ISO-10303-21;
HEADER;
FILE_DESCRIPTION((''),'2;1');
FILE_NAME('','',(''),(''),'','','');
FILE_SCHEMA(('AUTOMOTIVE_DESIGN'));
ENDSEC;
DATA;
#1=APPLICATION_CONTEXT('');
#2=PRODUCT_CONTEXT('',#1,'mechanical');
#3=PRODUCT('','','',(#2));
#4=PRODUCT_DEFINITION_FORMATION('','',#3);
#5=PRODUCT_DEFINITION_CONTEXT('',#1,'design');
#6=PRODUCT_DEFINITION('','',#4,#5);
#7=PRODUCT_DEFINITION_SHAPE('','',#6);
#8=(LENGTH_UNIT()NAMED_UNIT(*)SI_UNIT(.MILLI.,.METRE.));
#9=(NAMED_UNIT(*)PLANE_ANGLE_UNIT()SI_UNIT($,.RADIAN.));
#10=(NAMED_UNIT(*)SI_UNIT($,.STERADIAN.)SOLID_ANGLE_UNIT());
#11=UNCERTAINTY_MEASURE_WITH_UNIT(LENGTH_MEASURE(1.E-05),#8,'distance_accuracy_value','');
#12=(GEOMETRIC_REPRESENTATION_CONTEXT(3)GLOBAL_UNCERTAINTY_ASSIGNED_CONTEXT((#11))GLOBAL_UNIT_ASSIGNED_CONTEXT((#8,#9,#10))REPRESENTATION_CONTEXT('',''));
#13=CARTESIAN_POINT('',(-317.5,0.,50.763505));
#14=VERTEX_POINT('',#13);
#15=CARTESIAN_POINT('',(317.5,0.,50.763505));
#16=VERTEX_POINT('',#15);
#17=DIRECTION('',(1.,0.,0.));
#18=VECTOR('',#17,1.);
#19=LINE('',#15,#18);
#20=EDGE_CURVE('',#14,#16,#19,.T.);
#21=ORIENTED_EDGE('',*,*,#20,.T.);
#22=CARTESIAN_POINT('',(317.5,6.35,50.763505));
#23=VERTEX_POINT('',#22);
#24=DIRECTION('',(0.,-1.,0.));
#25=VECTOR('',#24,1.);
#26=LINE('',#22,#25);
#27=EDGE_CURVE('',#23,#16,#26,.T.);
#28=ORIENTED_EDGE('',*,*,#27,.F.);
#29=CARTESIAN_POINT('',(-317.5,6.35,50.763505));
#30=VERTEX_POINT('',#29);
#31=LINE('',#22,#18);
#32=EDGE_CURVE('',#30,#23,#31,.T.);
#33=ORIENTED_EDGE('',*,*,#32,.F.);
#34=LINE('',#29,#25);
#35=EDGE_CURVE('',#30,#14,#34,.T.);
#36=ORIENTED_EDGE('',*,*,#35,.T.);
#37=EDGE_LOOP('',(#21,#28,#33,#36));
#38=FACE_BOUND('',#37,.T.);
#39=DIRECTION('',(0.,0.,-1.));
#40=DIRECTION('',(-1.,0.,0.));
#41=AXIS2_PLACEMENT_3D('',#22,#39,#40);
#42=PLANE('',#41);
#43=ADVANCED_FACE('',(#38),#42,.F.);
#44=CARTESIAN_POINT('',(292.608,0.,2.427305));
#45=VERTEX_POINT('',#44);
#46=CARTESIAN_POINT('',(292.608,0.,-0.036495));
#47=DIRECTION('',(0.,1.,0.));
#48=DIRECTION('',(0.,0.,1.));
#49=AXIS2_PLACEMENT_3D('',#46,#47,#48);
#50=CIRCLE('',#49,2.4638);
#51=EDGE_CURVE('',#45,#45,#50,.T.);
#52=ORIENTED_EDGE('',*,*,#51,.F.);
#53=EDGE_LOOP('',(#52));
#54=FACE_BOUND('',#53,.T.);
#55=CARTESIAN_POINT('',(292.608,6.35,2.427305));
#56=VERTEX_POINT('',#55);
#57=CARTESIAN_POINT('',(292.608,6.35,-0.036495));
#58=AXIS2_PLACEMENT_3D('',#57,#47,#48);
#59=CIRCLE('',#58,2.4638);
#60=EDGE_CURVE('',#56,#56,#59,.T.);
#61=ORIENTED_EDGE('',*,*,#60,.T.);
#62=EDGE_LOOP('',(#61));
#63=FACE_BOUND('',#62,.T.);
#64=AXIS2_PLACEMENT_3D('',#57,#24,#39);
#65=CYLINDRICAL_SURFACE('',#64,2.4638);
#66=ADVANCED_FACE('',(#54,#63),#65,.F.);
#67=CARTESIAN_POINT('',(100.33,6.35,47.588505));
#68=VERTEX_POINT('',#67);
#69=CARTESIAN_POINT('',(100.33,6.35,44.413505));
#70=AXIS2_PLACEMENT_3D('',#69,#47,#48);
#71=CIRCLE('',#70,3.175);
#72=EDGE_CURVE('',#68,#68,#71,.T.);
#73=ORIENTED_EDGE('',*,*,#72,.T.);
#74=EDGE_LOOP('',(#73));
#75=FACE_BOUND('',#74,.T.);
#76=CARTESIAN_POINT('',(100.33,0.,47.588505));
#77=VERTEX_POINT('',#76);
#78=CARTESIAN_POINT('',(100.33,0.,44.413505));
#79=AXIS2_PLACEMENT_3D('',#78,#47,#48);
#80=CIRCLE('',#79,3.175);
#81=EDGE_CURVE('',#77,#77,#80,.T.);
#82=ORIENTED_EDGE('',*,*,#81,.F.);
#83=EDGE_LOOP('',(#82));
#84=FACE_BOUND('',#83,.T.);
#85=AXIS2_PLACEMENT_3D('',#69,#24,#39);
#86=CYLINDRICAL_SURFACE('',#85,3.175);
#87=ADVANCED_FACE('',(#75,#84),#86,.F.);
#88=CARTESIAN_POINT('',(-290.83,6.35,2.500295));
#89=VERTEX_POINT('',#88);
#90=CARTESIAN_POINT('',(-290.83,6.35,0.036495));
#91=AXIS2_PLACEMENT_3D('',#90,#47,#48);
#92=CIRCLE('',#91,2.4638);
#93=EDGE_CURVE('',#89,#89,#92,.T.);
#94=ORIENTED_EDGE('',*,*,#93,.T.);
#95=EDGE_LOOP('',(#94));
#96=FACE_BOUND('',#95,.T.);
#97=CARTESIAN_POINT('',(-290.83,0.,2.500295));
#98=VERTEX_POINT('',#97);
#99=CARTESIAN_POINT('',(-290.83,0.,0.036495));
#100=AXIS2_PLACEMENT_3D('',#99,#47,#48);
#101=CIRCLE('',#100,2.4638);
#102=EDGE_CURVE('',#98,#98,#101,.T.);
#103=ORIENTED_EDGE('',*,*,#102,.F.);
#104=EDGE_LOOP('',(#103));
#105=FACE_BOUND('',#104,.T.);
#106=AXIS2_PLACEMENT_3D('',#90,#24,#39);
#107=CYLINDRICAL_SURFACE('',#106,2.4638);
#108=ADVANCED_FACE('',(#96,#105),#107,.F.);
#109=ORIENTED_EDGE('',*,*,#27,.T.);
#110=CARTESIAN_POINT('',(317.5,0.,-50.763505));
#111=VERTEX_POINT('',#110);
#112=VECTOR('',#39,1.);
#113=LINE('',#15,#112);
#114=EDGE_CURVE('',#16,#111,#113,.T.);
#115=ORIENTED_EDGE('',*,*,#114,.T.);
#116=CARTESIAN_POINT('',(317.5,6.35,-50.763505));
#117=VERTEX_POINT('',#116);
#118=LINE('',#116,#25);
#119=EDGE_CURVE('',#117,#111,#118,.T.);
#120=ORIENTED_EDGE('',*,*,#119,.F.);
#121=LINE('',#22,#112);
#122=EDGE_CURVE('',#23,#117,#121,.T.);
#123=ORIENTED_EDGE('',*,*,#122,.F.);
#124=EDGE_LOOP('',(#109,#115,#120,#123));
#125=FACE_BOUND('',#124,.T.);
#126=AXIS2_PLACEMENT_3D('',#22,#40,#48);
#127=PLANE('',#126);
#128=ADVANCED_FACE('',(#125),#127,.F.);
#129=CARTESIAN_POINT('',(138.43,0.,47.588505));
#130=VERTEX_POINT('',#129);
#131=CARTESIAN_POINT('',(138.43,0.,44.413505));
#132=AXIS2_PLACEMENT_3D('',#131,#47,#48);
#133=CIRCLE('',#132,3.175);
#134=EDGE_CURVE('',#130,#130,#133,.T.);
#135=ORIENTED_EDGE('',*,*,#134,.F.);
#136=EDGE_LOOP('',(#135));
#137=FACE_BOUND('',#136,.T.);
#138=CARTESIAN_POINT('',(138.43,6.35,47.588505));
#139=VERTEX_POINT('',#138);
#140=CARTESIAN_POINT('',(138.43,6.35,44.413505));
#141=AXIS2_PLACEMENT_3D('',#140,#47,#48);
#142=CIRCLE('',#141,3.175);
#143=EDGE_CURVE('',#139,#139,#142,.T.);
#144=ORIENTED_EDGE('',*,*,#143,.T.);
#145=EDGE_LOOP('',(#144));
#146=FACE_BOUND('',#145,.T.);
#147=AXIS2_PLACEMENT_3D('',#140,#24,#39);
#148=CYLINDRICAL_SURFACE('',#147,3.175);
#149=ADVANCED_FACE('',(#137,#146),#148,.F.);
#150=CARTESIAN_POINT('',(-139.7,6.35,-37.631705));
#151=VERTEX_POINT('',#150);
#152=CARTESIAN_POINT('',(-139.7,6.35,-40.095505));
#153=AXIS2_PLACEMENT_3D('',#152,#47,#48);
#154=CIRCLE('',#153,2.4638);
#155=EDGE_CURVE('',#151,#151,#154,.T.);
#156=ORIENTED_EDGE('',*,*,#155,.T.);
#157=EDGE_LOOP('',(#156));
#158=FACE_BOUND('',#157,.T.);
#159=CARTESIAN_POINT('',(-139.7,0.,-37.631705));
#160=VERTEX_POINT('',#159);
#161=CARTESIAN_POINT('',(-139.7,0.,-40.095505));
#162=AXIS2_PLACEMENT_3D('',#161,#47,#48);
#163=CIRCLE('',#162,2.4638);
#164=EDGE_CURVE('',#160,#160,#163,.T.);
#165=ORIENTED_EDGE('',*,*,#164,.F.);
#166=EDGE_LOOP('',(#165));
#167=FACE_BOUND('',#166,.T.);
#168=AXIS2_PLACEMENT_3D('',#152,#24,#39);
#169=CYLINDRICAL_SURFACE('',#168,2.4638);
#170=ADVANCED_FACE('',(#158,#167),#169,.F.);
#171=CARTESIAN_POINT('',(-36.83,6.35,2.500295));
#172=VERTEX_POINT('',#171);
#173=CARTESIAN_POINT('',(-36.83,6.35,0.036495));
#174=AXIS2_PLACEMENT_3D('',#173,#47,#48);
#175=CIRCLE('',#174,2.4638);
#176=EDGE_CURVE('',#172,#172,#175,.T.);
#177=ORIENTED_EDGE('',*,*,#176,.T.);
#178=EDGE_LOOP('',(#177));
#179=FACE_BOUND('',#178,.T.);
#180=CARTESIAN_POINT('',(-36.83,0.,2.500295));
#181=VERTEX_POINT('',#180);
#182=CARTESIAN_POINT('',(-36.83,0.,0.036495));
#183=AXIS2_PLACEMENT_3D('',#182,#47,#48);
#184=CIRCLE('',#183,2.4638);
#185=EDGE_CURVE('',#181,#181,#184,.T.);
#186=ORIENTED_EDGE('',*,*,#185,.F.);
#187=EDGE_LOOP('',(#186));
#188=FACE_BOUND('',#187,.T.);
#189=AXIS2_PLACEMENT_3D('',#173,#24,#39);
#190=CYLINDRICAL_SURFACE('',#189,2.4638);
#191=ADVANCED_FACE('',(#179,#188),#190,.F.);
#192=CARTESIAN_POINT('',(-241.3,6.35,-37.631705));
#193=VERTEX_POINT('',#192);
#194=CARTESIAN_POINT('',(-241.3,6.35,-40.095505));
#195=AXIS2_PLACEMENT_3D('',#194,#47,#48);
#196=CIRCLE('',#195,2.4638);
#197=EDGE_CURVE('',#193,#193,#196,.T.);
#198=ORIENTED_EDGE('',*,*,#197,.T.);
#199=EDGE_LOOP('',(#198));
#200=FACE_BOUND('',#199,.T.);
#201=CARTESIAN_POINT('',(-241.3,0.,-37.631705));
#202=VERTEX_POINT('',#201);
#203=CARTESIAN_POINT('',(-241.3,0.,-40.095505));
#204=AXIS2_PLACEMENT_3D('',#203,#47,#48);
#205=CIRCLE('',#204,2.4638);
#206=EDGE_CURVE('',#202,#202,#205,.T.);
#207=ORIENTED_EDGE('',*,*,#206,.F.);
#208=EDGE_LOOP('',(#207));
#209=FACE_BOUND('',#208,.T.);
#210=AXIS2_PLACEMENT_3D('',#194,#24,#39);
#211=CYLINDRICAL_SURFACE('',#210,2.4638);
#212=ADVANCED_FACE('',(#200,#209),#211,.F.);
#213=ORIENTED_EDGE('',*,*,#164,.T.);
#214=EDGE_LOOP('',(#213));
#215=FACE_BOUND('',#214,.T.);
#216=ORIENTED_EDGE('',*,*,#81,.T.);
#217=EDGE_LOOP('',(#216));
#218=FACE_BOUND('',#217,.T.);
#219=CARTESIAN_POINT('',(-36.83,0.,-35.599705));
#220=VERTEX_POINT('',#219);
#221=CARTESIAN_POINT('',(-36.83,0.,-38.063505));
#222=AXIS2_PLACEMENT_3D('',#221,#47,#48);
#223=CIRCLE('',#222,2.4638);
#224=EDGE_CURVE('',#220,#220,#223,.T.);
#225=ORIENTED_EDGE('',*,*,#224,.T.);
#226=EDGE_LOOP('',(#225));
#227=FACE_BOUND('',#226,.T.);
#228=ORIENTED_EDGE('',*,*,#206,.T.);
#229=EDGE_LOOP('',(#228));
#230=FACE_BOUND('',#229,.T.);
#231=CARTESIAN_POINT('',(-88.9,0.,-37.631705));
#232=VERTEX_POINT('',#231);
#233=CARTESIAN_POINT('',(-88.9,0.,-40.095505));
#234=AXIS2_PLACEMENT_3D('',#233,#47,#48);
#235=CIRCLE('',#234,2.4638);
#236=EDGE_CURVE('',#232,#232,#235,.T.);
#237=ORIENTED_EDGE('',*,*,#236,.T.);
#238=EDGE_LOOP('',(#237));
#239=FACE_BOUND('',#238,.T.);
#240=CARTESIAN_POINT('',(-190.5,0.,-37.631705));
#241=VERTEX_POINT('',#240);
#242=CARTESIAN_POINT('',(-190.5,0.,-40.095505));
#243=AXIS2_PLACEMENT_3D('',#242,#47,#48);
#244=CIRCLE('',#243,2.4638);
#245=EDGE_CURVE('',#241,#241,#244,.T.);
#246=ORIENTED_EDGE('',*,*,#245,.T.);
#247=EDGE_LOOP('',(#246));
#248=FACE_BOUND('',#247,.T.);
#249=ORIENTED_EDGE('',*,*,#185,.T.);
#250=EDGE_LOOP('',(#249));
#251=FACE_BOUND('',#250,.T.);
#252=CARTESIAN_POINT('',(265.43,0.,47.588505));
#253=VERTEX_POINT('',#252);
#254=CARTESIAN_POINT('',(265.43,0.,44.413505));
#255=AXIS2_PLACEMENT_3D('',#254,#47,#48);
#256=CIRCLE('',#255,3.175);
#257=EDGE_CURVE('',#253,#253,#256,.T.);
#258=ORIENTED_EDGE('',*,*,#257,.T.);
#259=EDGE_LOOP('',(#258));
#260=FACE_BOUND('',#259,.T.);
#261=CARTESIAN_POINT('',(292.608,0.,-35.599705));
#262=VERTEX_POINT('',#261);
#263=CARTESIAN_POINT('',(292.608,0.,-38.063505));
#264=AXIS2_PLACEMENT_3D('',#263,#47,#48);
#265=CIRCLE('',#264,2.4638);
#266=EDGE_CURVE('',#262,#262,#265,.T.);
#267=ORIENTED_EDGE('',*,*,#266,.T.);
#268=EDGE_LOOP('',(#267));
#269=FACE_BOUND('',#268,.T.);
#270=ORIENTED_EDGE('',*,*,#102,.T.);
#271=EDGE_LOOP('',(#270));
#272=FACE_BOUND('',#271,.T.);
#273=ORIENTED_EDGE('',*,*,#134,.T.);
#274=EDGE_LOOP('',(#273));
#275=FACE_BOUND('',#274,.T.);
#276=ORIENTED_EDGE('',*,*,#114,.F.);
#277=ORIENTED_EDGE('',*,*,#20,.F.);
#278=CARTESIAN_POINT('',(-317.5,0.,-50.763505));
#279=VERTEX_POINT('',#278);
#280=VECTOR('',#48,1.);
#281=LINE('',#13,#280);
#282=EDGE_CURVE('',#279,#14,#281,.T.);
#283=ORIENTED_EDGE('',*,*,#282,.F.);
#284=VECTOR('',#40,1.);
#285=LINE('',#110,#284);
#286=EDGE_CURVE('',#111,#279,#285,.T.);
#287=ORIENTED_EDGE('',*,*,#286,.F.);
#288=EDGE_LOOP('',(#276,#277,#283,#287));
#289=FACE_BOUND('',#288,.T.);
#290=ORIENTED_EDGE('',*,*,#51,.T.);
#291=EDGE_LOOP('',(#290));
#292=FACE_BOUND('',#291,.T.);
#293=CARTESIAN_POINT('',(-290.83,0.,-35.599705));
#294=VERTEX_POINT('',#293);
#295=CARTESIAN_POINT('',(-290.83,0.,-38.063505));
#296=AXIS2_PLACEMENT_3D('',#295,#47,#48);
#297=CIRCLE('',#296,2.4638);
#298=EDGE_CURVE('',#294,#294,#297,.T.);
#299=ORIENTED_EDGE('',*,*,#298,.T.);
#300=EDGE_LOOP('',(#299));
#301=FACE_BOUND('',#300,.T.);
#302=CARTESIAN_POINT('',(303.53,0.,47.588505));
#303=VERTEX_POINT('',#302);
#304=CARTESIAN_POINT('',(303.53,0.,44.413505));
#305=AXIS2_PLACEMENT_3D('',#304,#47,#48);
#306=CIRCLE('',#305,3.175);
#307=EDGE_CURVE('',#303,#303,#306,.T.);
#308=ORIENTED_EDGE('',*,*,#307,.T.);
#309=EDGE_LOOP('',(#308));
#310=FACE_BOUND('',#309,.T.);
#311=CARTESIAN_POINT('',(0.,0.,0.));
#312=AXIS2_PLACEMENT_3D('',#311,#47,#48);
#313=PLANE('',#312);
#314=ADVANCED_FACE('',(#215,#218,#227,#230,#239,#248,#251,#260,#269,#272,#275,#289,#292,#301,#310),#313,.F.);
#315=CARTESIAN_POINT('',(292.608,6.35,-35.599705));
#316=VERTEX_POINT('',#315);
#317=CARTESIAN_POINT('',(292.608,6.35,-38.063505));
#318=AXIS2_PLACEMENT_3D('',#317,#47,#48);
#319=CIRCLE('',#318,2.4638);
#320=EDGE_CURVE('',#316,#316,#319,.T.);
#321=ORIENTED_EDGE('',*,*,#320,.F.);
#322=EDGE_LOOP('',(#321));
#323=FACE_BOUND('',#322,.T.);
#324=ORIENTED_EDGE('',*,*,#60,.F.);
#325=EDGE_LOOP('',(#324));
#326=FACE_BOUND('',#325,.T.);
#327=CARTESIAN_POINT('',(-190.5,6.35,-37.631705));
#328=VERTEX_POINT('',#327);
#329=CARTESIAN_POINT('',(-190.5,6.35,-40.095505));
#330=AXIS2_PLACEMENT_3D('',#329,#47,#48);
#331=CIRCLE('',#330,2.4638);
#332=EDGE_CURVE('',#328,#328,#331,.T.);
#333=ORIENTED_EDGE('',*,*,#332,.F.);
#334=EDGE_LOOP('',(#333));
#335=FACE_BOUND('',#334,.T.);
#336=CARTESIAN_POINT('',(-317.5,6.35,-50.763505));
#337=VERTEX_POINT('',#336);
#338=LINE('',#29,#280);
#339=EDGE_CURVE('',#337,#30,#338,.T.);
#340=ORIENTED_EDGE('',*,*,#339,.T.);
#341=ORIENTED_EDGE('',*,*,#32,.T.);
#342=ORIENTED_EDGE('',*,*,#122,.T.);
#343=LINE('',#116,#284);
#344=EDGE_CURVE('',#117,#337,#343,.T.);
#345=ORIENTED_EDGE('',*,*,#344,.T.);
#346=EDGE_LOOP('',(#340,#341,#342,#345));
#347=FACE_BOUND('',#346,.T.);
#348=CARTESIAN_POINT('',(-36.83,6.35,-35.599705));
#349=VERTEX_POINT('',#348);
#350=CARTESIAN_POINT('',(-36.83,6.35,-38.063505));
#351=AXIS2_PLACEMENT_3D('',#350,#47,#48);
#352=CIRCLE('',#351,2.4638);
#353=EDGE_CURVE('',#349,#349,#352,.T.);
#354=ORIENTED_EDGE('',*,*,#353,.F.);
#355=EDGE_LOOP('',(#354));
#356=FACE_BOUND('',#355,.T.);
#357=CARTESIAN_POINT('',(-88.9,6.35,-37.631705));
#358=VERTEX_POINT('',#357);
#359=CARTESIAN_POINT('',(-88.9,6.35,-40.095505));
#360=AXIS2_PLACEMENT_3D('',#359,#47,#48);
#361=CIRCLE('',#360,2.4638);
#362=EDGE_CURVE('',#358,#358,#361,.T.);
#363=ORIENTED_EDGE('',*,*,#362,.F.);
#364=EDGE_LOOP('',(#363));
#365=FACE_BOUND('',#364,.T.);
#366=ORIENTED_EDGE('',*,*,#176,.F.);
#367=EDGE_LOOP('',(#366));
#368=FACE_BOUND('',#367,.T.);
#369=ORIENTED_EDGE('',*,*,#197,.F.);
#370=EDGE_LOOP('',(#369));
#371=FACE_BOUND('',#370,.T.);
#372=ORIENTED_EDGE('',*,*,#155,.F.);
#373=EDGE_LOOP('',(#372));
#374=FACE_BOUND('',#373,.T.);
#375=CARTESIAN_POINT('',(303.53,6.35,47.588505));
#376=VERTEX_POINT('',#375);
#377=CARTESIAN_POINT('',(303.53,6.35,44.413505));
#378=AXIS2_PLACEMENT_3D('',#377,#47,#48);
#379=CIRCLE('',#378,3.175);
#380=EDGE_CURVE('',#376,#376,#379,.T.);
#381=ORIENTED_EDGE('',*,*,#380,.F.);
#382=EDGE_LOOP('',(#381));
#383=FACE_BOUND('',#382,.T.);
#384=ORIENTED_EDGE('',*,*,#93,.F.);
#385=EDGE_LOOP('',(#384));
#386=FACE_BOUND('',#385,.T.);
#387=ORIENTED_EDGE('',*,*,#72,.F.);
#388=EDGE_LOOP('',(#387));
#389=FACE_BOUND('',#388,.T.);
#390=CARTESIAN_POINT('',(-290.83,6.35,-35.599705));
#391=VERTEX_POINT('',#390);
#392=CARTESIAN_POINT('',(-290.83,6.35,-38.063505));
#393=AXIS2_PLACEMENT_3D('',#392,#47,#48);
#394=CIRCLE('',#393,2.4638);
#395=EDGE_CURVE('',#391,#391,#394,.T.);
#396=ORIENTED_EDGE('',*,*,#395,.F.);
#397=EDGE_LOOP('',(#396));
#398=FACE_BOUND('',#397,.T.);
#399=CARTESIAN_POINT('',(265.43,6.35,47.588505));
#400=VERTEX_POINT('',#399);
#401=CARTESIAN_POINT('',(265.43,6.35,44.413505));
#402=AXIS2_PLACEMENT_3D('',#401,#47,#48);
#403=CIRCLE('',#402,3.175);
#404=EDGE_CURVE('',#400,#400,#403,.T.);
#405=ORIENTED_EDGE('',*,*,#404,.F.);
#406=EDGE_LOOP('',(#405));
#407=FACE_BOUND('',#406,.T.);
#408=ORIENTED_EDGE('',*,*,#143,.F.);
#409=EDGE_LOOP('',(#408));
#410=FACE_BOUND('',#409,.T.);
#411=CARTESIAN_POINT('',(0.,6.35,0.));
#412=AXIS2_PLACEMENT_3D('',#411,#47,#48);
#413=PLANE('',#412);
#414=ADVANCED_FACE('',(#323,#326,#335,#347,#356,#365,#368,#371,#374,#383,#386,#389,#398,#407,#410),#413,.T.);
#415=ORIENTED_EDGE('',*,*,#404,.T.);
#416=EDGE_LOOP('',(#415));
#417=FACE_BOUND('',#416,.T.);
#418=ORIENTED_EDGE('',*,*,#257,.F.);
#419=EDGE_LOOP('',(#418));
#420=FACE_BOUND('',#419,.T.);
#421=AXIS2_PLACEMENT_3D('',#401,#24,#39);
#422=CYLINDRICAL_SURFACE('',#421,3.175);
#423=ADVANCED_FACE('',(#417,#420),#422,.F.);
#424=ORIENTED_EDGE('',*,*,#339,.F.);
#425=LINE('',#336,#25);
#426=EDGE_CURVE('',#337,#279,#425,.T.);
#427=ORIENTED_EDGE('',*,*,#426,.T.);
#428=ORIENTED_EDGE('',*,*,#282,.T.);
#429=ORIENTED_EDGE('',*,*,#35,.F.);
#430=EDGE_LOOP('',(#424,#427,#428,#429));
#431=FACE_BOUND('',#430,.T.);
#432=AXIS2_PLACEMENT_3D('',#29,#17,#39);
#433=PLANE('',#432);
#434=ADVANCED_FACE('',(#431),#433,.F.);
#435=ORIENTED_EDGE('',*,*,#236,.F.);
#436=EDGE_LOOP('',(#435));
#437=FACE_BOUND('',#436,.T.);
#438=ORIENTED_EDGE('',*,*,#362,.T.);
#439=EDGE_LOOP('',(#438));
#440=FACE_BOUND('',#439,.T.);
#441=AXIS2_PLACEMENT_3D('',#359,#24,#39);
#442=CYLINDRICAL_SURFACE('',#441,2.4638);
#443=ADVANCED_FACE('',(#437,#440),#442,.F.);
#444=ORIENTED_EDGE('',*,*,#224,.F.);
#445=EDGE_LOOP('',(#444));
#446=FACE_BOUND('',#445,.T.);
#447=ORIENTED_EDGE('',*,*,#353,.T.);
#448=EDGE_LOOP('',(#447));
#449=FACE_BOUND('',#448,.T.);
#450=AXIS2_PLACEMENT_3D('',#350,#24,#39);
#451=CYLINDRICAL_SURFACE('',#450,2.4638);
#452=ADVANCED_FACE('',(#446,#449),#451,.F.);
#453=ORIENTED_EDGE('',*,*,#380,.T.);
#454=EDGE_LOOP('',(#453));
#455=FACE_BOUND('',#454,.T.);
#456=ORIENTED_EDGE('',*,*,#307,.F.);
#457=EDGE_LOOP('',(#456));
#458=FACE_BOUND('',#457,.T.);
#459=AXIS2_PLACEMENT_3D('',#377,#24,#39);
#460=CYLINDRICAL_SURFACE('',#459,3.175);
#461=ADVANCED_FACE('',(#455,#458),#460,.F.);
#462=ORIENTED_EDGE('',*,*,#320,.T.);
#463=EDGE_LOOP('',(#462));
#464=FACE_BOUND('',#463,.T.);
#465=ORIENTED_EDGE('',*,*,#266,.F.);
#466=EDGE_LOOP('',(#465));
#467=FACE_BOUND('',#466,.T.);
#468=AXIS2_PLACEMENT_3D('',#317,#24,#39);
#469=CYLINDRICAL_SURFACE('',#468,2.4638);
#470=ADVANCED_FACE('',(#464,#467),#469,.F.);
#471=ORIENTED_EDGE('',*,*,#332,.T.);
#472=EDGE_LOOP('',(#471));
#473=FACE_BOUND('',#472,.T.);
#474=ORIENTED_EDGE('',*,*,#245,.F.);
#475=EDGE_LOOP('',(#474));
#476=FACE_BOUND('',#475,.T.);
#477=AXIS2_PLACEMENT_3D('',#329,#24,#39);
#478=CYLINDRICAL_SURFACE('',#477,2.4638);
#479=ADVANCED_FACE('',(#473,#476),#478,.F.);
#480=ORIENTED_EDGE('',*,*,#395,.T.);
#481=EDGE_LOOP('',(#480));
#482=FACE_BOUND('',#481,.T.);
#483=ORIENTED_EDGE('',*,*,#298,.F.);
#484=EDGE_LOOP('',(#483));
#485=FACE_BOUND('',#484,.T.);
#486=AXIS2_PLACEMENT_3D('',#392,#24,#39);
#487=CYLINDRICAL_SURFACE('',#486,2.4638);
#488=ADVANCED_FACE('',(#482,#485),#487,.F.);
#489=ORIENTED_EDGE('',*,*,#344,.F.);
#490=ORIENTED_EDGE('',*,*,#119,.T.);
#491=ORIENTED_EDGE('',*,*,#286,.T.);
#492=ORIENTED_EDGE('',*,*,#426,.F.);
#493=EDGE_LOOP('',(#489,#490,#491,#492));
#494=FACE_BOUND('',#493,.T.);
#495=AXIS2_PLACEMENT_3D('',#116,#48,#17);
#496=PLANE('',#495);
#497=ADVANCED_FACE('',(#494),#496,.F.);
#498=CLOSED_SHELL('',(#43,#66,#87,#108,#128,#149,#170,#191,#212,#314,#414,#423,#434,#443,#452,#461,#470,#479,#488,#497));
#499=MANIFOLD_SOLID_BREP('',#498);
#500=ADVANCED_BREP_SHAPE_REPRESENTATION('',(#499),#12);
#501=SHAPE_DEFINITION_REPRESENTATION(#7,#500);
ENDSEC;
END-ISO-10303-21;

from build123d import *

# Parameters (mm, degrees)
SKETCH1_W           = 635
SKETCH1_H           = 101.527009672
SKETCH1_R           = 2.4638
SKETCH1_R_2         = 3.175
BOSS_EXTRUDE1_DEPTH = 6.35


with BuildPart() as part:
    # Sketch1 → Boss-Extrude1 (new body)
    with BuildSketch(Plane(origin=(0, 0, 0), x_dir=(1, 0, 0), z_dir=(0, 1, 0))):
        Rectangle(SKETCH1_W, SKETCH1_H)
        with Locations((-290.83, 38.063504836)):
            Circle(SKETCH1_R, mode=Mode.SUBTRACT)
        with Locations((-290.83, -0.036495164)):
            Circle(SKETCH1_R, mode=Mode.SUBTRACT)
        with Locations((292.608, 0.036495164)):
            Circle(SKETCH1_R, mode=Mode.SUBTRACT)
        with Locations((292.608, 38.063504836)):
            Circle(SKETCH1_R, mode=Mode.SUBTRACT)
        with Locations((-241.3, 40.095504834)):
            Circle(SKETCH1_R, mode=Mode.SUBTRACT)
        with Locations((-36.829999998, 38.063504838)):
            Circle(SKETCH1_R, mode=Mode.SUBTRACT)
        with Locations((-36.829999998, -0.036495162)):
            Circle(SKETCH1_R, mode=Mode.SUBTRACT)
        with Locations((100.33, -44.413504836)):
            Circle(SKETCH1_R_2, mode=Mode.SUBTRACT)
        with Locations((138.43, -44.413504836)):
            Circle(SKETCH1_R_2, mode=Mode.SUBTRACT)
        with Locations((303.53, -44.413504836)):
            Circle(SKETCH1_R_2, mode=Mode.SUBTRACT)
        with Locations((265.43, -44.413504836)):
            Circle(SKETCH1_R_2, mode=Mode.SUBTRACT)
        with Locations((-190.5, 40.095504834)):
            Circle(SKETCH1_R, mode=Mode.SUBTRACT)
        with Locations((-139.7, 40.095504834)):
            Circle(SKETCH1_R, mode=Mode.SUBTRACT)
        with Locations((-88.9, 40.095504834)):
            Circle(SKETCH1_R, mode=Mode.SUBTRACT)
    extrude(amount=BOSS_EXTRUDE1_DEPTH)


solid = part.part
